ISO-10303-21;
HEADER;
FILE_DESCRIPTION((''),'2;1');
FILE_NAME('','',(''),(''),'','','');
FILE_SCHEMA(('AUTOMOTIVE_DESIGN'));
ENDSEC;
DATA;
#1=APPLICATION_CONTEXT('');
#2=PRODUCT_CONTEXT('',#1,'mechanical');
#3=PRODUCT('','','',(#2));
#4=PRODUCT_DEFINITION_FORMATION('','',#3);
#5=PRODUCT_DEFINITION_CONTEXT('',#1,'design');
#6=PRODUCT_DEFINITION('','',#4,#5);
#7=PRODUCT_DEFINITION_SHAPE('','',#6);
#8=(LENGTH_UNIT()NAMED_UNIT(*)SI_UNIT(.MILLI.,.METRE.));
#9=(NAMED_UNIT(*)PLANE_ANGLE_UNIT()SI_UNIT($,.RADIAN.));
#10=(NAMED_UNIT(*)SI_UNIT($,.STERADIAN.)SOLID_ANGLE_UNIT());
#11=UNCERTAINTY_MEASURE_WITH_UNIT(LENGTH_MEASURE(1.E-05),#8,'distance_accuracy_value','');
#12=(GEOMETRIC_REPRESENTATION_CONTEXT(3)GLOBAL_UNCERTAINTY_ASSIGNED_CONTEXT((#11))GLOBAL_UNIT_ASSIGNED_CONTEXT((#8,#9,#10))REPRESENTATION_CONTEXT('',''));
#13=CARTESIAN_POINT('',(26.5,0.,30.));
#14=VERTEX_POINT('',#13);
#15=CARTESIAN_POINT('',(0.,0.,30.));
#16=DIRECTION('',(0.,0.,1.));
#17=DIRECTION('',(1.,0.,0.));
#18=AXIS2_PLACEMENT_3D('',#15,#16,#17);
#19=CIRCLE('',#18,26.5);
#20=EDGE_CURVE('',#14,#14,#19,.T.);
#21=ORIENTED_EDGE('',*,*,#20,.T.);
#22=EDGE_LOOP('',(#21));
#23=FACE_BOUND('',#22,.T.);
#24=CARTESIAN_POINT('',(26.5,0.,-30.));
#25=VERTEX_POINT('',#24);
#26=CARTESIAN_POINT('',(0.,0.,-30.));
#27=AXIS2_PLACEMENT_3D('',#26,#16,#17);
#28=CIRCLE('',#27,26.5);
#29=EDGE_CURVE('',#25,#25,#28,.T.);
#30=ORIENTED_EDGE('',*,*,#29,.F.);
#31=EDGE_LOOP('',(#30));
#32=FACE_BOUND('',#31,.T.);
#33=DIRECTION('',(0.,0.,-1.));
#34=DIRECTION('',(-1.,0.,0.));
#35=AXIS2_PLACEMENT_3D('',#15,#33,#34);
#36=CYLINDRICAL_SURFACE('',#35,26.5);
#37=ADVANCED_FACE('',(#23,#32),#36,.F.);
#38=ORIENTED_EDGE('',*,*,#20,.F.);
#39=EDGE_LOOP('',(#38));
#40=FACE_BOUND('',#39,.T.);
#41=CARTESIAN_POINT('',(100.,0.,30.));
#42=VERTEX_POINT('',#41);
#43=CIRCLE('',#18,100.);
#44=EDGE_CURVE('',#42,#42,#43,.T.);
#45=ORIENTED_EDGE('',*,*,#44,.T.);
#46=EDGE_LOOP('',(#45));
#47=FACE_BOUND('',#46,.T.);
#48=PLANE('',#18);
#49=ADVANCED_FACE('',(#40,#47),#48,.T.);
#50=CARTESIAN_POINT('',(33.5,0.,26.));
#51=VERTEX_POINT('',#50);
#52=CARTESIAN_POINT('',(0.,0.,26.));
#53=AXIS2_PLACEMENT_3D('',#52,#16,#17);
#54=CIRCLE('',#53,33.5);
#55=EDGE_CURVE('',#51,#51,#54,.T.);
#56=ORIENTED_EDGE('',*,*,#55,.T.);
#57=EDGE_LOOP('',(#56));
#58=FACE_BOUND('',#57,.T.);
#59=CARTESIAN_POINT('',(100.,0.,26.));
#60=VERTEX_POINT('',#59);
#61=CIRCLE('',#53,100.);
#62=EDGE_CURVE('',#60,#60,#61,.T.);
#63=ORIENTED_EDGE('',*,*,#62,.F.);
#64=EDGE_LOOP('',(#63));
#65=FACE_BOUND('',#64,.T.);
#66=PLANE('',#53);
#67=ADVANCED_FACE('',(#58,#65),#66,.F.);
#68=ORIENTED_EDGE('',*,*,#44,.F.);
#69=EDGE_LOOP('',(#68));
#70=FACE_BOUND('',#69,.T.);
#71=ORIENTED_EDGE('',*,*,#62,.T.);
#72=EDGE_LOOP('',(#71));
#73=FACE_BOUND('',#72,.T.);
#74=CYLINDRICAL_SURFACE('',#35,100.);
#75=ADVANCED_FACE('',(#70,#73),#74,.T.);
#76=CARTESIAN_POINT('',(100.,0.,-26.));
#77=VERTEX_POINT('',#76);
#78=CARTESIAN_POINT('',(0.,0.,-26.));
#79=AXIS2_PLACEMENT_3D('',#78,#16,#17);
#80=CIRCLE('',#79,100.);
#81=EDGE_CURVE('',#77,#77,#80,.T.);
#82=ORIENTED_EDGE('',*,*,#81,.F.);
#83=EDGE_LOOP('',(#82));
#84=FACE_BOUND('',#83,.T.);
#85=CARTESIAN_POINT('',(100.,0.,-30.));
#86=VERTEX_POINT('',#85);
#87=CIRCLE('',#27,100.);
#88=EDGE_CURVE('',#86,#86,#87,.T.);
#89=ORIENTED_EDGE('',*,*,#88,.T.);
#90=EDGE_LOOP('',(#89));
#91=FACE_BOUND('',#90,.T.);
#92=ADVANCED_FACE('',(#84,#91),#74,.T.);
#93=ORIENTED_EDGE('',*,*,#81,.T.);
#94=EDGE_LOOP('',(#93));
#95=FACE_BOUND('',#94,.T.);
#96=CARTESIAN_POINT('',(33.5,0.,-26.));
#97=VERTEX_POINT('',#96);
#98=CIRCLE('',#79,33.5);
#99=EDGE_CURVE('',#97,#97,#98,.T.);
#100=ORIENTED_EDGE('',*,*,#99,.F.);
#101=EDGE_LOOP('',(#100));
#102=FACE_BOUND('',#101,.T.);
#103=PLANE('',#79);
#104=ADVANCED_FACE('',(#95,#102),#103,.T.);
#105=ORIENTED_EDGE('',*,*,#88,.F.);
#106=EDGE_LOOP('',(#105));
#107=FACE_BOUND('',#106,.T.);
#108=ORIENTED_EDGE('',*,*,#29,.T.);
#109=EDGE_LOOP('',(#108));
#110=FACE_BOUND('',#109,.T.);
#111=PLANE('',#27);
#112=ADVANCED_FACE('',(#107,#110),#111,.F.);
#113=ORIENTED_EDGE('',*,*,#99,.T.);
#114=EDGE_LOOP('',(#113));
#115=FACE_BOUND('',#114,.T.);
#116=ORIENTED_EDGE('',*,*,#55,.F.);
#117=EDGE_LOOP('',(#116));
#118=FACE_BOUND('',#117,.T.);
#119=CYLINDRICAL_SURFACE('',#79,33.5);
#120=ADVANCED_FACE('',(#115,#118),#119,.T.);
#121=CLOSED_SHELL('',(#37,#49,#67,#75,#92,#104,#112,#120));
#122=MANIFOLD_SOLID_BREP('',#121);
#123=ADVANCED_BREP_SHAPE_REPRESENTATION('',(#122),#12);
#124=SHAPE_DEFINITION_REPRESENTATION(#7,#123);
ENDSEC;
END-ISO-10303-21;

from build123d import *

# Parameters (mm, degrees)
SKETCH1_R           = 100
SKETCH1_R_2         = 26.5
BOSS_EXTRUDE1_DEPTH = 30
SKETCH2_R           = 100
SKETCH2_R_2         = 33.5
CUT_EXTRUDE1_DEPTH  = 26


with BuildPart() as part:
    # Sketch1 → Boss-Extrude1 (new body, symmetric)
    with BuildSketch(Plane.XY):
        Circle(SKETCH1_R)
        Circle(SKETCH1_R_2, mode=Mode.SUBTRACT)
    extrude(amount=BOSS_EXTRUDE1_DEPTH, both=True)

    # Sketch2 → Cut-Extrude1 (cut, symmetric)
    with BuildSketch(Plane.XY):
        Circle(SKETCH2_R)
        Circle(SKETCH2_R_2, mode=Mode.SUBTRACT)
    extrude(amount=CUT_EXTRUDE1_DEPTH, both=True, mode=Mode.SUBTRACT)


solid = part.part
